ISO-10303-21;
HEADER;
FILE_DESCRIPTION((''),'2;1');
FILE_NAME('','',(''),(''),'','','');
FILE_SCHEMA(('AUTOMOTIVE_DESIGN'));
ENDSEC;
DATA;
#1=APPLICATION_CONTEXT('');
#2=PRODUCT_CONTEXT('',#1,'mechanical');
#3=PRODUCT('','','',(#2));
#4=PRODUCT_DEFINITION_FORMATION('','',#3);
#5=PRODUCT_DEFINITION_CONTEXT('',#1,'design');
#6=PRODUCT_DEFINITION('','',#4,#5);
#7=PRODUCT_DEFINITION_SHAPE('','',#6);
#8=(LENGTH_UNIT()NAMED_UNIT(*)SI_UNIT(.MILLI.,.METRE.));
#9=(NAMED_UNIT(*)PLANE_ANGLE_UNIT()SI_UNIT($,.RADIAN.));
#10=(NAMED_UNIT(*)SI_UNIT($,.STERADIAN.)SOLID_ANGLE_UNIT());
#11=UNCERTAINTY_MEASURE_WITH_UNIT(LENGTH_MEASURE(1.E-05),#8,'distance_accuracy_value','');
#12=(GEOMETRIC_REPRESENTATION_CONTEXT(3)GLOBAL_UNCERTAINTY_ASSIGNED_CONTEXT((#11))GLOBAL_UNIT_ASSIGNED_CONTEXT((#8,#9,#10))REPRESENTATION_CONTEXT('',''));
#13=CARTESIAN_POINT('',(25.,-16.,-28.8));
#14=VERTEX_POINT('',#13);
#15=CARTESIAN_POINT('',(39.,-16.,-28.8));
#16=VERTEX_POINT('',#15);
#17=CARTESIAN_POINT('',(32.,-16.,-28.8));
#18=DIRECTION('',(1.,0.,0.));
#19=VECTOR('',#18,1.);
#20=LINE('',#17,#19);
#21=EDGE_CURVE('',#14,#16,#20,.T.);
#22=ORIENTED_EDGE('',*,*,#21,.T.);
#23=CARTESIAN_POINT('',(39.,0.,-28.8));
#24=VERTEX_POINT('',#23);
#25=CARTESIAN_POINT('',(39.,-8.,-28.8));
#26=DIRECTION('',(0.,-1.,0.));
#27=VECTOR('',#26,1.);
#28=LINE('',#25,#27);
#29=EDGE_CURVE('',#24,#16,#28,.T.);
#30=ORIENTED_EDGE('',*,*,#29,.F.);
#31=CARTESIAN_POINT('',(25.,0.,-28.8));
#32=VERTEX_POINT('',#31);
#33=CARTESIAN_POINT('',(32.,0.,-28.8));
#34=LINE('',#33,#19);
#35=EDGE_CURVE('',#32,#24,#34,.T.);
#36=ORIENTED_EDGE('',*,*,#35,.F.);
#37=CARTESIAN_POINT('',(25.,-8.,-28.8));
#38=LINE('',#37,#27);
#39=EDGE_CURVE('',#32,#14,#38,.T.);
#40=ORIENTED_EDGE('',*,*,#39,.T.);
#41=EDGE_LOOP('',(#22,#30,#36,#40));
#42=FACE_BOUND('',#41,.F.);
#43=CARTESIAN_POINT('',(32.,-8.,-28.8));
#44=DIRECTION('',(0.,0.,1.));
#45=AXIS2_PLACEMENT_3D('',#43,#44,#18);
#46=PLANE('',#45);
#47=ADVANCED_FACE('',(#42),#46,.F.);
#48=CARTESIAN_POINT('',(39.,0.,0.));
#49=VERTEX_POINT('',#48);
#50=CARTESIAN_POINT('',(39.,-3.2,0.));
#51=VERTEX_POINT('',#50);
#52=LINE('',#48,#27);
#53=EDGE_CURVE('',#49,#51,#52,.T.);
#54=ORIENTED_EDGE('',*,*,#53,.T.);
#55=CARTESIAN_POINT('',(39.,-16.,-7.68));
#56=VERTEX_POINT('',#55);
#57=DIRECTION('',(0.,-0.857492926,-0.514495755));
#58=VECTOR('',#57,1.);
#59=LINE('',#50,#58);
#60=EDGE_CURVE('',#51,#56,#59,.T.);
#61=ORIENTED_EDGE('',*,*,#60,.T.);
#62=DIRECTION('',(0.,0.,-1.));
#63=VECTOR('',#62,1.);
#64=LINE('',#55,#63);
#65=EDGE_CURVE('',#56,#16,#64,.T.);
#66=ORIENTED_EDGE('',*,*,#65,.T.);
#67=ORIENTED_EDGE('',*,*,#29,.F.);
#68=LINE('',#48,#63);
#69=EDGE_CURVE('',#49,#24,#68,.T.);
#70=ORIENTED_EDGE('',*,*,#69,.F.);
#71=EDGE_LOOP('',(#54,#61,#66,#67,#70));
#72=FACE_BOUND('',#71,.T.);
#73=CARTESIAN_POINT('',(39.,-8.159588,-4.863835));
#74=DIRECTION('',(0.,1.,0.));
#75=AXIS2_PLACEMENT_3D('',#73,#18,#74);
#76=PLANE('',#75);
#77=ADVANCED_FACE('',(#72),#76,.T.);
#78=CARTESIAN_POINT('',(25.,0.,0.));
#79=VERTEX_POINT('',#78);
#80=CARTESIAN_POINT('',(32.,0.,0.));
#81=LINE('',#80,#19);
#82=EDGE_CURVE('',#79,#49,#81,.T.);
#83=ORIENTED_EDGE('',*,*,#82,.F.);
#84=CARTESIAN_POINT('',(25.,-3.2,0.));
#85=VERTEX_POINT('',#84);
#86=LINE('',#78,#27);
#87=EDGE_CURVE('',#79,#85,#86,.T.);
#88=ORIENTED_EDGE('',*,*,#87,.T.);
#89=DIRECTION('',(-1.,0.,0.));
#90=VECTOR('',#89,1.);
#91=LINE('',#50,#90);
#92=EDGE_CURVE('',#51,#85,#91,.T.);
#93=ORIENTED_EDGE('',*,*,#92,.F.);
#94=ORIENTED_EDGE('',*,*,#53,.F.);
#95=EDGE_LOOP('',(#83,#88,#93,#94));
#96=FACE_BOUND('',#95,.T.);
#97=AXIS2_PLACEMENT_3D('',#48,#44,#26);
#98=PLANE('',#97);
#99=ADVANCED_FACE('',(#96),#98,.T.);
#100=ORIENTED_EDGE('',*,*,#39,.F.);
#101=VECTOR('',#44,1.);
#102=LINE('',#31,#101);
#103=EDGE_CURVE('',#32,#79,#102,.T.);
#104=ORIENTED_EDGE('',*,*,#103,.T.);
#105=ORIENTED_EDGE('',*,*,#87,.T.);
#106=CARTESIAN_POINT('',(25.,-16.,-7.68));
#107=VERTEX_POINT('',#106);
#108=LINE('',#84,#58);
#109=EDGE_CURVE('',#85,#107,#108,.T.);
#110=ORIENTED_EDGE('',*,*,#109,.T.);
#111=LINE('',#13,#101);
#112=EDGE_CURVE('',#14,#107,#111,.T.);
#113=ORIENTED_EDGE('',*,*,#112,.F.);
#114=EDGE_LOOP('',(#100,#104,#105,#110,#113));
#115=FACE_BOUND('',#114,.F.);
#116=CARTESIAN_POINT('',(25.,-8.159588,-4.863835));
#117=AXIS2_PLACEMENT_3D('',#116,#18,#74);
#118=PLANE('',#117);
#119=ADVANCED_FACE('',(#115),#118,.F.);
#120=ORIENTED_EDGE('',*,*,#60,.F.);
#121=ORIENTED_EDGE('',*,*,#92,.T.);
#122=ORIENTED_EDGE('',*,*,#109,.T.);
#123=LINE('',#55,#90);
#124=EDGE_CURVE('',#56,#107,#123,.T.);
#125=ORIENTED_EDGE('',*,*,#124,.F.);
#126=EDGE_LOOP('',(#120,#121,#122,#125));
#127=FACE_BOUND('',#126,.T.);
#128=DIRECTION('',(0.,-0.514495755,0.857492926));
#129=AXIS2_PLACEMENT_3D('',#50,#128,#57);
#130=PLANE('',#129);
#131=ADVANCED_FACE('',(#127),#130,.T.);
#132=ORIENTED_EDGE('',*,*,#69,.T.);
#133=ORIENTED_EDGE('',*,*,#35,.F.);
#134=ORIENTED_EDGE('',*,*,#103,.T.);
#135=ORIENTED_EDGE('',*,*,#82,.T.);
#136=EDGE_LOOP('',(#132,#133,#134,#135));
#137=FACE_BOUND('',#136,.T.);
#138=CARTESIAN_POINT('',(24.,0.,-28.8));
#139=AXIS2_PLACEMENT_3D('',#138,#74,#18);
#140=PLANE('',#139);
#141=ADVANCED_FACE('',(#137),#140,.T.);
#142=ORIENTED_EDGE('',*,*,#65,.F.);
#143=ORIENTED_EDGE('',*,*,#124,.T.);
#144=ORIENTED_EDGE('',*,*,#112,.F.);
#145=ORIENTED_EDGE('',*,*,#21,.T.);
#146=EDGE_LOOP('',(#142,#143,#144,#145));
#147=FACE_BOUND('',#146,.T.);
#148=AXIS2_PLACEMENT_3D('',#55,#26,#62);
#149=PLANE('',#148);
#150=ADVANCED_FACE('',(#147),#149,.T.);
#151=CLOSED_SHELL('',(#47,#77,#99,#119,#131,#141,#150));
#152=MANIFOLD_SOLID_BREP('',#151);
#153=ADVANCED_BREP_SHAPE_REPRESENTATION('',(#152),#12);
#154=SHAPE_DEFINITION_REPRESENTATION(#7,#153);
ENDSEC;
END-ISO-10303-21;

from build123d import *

# Parameters (mm, degrees)
SKETCH028_W     = 16
SKETCH028_H     = 16
PAD015_DEPTH    = 28.8
POCKET013_DEPTH = 16
SKETCH113_W     = 1
SKETCH113_H     = 16
POCKET029_DEPTH = 30
PAD136_DEPTH    = 14


with BuildPart() as part:
    # Sketch028 (on Face52 of Binder011) → Pad015 (new body)
    with BuildSketch(Plane.XY.offset(-28.8)):
        with Locations((32, -8)):
            Rectangle(SKETCH028_W, SKETCH028_H)
    extrude(amount=PAD015_DEPTH)

    # Sketch029 (on Face3 of Pad015) → Pocket013 (cut)
    with BuildSketch(Plane.YZ.offset(40)):
        Polygon((-16, 0), (-16, -9.6), (0, 0), align=None)
    extrude(amount=-POCKET013_DEPTH, mode=Mode.SUBTRACT)

    # Sketch113 (on Face2 of Pocket013) → Pocket029 (cut)
    with BuildSketch(Plane(origin=(0, 0, -28.8), x_dir=(1, 0, 0), z_dir=(0, 0, -1))):
        with Locations((24.5, 8)):
            Rectangle(SKETCH113_W, SKETCH113_H)
        with Locations((39.5, 8)):
            Rectangle(SKETCH113_W, SKETCH113_H)
    extrude(amount=-POCKET029_DEPTH, mode=Mode.SUBTRACT)

    # Sketch136 (on Face3 of Pocket029) → Pad136 (join)
    with BuildSketch(Plane.YZ.offset(39)):
        Polygon((0, 0), (-3.2, 0), (-16, -7.68), (-16, -10.88), (-3.2, -3.2), (0, -3.2), align=None)
    extrude(amount=-PAD136_DEPTH)


solid = part.part
